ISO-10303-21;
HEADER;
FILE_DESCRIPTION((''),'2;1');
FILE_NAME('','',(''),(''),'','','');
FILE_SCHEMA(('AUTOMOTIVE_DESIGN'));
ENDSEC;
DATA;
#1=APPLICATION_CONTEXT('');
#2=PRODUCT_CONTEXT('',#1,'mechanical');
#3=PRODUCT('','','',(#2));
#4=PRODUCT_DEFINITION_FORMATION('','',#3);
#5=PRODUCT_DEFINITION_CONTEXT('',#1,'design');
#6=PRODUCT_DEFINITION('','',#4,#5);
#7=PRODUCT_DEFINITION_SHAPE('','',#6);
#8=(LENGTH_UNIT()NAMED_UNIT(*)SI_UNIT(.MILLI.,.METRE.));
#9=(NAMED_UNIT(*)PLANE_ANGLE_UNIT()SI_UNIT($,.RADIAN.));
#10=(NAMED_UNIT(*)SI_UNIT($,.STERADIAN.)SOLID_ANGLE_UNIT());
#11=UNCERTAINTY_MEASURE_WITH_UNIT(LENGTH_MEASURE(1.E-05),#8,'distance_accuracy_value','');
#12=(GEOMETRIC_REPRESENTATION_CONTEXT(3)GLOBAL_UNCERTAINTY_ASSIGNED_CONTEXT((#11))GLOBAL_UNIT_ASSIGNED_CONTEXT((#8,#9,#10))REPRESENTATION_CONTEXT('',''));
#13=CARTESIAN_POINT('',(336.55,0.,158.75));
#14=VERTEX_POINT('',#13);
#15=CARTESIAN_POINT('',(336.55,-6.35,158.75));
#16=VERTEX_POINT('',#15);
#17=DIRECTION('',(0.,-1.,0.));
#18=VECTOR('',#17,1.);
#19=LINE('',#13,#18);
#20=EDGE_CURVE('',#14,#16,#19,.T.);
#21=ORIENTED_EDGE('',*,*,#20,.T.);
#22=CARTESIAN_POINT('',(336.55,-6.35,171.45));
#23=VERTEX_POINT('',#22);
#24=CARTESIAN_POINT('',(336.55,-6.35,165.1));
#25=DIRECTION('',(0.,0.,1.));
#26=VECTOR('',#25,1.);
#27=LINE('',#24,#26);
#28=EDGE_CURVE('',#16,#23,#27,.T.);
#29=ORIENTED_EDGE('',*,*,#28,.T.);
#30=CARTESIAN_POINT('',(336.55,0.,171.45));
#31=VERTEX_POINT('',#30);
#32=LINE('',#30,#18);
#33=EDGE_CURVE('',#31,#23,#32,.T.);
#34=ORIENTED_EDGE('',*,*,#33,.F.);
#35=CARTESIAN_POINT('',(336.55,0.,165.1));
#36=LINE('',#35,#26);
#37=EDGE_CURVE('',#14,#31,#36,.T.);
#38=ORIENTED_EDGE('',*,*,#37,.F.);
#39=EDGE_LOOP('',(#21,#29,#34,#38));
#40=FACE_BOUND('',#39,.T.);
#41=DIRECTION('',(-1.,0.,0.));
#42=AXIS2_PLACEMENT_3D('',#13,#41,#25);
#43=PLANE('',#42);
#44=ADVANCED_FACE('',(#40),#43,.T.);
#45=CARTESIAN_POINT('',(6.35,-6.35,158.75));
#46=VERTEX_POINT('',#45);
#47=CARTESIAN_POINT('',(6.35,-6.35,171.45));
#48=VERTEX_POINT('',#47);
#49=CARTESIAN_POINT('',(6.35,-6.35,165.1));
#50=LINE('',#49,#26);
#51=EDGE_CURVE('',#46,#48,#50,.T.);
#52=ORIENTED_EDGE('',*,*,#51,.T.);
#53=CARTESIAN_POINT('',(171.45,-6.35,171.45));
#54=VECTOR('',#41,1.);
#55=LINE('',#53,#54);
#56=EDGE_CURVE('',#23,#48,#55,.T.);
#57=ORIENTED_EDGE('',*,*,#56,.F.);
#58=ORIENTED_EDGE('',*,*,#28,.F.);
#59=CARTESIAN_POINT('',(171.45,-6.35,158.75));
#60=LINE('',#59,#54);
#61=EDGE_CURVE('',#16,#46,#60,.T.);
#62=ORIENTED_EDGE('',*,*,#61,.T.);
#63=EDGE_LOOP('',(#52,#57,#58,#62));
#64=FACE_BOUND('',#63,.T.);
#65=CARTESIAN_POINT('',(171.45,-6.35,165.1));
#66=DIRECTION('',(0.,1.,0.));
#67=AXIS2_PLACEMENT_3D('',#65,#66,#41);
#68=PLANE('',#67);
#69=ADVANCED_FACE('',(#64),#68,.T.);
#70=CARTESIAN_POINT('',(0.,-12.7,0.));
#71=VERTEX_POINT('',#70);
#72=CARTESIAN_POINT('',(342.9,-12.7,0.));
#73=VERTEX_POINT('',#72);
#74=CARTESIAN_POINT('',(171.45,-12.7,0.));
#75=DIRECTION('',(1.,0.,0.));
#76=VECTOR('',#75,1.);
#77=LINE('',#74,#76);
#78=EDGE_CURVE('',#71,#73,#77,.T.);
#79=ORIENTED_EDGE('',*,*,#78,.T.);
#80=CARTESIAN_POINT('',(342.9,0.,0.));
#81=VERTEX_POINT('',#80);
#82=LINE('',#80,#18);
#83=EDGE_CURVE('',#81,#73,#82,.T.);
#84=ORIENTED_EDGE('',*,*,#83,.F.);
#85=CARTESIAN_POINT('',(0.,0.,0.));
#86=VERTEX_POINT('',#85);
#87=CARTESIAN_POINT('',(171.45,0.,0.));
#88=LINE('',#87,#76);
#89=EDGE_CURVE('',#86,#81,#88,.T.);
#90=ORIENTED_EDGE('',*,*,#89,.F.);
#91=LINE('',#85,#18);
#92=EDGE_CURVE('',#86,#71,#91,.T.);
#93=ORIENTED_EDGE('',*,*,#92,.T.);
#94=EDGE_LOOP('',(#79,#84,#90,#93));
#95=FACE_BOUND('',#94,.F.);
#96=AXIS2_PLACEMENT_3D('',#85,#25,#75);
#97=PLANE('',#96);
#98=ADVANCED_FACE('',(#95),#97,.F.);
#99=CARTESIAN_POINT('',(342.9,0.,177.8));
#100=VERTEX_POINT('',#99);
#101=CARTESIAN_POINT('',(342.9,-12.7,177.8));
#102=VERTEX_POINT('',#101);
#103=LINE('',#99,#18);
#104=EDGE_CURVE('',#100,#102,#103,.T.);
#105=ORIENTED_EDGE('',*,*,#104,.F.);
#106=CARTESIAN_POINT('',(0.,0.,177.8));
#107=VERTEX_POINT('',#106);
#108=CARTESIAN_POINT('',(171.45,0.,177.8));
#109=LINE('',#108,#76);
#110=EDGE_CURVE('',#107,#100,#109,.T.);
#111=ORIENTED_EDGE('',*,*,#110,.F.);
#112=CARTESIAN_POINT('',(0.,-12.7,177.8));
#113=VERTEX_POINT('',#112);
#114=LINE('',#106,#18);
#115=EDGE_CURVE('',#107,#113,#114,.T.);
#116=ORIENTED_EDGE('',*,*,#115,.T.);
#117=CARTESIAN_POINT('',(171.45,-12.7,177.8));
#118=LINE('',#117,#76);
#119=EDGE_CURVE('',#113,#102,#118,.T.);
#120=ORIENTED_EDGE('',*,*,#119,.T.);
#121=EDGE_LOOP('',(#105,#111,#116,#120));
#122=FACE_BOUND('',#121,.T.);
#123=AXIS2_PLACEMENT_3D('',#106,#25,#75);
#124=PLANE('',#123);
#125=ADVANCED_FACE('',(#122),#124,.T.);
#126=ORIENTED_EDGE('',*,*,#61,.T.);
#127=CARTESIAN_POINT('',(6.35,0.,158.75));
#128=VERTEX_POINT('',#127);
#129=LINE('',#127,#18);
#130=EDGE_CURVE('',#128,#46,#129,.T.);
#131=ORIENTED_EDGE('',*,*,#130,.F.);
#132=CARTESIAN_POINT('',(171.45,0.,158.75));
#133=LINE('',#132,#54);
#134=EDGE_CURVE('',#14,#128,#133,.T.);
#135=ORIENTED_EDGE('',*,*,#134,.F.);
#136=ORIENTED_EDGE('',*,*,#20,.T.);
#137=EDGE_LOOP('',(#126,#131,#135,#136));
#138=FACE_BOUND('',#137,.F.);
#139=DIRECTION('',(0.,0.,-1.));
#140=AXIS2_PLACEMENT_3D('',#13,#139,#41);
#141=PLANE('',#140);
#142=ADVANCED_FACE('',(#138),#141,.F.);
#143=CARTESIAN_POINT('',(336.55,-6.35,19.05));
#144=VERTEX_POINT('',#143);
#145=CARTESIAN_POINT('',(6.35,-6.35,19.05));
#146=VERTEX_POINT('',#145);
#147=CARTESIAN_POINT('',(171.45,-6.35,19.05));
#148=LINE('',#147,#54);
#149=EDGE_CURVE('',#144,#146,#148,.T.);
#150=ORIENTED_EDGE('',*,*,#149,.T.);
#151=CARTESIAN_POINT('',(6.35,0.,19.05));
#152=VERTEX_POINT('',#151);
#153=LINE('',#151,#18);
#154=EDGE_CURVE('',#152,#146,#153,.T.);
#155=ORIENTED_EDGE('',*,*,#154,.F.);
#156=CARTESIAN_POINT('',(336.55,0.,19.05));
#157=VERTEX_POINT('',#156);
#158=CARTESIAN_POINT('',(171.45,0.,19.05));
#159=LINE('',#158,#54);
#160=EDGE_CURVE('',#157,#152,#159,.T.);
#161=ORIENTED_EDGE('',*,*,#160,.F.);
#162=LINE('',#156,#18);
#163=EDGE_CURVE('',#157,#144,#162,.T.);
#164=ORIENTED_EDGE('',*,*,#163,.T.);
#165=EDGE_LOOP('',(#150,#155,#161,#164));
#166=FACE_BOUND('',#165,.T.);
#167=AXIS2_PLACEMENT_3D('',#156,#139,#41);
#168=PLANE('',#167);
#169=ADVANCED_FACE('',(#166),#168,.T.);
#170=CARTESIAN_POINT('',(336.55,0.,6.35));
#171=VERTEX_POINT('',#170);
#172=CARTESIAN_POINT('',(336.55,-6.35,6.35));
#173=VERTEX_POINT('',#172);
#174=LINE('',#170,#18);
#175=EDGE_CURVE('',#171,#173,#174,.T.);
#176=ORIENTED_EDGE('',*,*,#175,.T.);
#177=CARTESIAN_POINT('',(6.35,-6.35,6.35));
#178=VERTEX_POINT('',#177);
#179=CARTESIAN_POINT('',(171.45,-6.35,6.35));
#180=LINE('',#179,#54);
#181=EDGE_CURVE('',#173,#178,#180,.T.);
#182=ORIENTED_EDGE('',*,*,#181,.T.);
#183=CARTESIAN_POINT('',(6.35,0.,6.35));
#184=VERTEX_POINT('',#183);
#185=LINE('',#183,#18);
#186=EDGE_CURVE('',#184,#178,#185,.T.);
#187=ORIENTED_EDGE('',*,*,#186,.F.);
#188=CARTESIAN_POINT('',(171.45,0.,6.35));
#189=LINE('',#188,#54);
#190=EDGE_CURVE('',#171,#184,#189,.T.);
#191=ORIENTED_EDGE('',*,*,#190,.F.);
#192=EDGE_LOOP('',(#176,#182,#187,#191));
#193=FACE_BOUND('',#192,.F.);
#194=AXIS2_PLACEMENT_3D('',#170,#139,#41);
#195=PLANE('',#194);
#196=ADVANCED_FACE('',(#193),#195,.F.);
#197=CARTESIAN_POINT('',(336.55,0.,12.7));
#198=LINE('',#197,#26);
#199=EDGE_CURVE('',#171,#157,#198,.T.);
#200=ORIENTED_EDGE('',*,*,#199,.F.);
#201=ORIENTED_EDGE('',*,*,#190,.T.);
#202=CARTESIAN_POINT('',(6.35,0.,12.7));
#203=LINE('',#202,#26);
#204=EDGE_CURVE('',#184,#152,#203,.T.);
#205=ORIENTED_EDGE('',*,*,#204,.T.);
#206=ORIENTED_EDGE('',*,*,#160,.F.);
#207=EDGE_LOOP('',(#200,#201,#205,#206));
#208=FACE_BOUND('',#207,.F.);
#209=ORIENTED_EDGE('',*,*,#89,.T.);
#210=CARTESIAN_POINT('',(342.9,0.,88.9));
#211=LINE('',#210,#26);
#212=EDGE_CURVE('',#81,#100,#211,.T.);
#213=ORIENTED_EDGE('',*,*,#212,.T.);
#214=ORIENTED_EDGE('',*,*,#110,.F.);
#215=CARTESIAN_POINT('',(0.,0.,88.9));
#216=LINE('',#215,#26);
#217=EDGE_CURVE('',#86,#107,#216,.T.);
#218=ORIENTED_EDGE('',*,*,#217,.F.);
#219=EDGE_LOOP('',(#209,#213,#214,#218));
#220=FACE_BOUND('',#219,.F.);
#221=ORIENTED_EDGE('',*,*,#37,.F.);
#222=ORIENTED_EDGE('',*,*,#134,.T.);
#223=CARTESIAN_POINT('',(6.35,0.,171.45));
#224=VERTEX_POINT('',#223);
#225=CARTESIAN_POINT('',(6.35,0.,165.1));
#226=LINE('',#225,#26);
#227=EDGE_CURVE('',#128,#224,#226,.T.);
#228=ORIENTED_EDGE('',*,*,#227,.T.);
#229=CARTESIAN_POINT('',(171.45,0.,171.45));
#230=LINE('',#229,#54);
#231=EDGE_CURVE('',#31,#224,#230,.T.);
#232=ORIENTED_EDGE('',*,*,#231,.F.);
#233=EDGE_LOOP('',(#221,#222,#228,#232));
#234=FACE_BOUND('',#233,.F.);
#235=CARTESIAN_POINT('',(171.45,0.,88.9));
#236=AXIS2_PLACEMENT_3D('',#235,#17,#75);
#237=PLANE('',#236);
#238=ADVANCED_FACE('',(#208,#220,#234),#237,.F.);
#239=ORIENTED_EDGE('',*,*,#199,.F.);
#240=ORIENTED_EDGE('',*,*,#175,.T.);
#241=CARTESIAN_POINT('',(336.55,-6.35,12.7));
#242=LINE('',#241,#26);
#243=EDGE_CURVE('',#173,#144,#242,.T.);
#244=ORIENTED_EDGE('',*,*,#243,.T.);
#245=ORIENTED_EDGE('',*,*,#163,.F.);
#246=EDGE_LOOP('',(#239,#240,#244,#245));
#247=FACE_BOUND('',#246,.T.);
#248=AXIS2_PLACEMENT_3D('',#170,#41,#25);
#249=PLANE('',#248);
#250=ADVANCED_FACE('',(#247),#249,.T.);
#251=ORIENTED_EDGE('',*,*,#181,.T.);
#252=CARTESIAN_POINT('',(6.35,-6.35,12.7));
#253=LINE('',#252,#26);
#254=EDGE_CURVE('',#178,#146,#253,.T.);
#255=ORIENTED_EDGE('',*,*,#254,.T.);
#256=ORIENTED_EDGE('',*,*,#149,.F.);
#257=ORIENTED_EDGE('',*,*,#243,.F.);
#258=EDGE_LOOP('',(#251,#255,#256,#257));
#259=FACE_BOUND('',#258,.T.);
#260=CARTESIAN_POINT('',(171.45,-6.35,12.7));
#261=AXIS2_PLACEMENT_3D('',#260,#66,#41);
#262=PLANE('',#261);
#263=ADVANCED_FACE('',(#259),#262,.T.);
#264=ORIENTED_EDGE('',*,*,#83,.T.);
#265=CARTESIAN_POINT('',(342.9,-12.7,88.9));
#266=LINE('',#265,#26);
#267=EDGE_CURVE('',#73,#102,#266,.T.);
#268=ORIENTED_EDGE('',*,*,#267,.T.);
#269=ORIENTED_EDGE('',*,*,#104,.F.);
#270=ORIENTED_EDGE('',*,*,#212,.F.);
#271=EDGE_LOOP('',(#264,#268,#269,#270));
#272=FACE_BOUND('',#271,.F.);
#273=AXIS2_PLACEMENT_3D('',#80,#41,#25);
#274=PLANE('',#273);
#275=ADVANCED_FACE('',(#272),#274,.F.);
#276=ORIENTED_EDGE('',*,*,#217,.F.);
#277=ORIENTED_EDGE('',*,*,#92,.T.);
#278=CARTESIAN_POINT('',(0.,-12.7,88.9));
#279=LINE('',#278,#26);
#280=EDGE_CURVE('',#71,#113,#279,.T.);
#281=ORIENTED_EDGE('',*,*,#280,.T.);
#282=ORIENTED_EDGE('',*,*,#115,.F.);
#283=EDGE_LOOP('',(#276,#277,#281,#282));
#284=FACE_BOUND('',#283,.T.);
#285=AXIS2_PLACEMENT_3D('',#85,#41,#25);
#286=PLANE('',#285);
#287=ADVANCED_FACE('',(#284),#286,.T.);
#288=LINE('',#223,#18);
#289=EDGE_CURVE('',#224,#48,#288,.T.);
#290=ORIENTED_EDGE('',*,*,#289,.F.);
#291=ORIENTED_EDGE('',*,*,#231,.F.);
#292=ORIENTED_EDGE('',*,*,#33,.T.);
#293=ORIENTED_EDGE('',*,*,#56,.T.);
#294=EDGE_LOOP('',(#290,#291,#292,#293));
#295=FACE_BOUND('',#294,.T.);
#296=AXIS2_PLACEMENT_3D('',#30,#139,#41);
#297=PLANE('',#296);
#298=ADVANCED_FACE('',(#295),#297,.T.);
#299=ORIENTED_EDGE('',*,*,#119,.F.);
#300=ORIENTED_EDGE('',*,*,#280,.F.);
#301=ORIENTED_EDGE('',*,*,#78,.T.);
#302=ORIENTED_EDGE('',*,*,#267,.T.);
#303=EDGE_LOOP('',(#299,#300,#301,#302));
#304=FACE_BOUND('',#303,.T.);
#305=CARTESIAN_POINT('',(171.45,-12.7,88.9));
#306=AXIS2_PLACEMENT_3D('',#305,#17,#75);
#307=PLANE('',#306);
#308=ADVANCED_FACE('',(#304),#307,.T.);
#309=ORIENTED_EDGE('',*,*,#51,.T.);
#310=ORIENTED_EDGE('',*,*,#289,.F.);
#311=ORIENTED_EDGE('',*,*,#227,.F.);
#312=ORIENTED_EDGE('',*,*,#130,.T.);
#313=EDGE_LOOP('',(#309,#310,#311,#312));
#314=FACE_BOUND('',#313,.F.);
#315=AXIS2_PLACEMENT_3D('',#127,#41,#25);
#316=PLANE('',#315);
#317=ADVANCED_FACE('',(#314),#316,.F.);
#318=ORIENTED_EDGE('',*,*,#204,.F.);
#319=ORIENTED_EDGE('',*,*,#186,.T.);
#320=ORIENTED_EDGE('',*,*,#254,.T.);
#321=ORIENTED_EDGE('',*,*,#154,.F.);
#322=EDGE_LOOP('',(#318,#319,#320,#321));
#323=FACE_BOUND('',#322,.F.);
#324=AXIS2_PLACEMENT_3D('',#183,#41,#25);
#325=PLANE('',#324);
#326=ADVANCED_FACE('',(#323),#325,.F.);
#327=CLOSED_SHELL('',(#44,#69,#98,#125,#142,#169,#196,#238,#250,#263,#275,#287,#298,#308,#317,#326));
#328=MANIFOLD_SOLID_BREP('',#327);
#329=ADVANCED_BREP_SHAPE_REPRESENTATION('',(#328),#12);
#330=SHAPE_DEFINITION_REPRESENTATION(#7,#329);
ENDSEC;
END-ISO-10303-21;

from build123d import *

# Parameters (mm, degrees)
F0_W     = 342.9
F0_H     = 177.8
F1_DEPTH = 12.7
F2_W     = 330.2
F2_H     = 12.7
F3_DEPTH = 6.35
F4_W     = 330.2
F4_H     = 12.7
F5_DEPTH = 6.35


with BuildPart() as f1:
    # F0 (on Front) → F1 (new body)
    with BuildSketch(Plane.XZ):
        with Locations((171.45, 88.9)):
            Rectangle(F0_W, F0_H)
    extrude(amount=F1_DEPTH)

    # F2 (on face) → F3 (cut)
    with BuildSketch(Plane(origin=(0, 0, 0), x_dir=(-1, 0, 0), z_dir=(0, 1, 0))):
        with Locations((-171.45, 12.7)):
            Rectangle(F2_W, F2_H)
    extrude(amount=-F3_DEPTH, mode=Mode.SUBTRACT)

    # F4 (on face) → F5 (cut)
    with BuildSketch(Plane(origin=(0, 0, 0), x_dir=(-1, 0, 0), z_dir=(0, 1, 0))):
        with Locations((-171.45, 165.1)):
            Rectangle(F4_W, F4_H)
    extrude(amount=-F5_DEPTH, mode=Mode.SUBTRACT)


solid = f1.part
